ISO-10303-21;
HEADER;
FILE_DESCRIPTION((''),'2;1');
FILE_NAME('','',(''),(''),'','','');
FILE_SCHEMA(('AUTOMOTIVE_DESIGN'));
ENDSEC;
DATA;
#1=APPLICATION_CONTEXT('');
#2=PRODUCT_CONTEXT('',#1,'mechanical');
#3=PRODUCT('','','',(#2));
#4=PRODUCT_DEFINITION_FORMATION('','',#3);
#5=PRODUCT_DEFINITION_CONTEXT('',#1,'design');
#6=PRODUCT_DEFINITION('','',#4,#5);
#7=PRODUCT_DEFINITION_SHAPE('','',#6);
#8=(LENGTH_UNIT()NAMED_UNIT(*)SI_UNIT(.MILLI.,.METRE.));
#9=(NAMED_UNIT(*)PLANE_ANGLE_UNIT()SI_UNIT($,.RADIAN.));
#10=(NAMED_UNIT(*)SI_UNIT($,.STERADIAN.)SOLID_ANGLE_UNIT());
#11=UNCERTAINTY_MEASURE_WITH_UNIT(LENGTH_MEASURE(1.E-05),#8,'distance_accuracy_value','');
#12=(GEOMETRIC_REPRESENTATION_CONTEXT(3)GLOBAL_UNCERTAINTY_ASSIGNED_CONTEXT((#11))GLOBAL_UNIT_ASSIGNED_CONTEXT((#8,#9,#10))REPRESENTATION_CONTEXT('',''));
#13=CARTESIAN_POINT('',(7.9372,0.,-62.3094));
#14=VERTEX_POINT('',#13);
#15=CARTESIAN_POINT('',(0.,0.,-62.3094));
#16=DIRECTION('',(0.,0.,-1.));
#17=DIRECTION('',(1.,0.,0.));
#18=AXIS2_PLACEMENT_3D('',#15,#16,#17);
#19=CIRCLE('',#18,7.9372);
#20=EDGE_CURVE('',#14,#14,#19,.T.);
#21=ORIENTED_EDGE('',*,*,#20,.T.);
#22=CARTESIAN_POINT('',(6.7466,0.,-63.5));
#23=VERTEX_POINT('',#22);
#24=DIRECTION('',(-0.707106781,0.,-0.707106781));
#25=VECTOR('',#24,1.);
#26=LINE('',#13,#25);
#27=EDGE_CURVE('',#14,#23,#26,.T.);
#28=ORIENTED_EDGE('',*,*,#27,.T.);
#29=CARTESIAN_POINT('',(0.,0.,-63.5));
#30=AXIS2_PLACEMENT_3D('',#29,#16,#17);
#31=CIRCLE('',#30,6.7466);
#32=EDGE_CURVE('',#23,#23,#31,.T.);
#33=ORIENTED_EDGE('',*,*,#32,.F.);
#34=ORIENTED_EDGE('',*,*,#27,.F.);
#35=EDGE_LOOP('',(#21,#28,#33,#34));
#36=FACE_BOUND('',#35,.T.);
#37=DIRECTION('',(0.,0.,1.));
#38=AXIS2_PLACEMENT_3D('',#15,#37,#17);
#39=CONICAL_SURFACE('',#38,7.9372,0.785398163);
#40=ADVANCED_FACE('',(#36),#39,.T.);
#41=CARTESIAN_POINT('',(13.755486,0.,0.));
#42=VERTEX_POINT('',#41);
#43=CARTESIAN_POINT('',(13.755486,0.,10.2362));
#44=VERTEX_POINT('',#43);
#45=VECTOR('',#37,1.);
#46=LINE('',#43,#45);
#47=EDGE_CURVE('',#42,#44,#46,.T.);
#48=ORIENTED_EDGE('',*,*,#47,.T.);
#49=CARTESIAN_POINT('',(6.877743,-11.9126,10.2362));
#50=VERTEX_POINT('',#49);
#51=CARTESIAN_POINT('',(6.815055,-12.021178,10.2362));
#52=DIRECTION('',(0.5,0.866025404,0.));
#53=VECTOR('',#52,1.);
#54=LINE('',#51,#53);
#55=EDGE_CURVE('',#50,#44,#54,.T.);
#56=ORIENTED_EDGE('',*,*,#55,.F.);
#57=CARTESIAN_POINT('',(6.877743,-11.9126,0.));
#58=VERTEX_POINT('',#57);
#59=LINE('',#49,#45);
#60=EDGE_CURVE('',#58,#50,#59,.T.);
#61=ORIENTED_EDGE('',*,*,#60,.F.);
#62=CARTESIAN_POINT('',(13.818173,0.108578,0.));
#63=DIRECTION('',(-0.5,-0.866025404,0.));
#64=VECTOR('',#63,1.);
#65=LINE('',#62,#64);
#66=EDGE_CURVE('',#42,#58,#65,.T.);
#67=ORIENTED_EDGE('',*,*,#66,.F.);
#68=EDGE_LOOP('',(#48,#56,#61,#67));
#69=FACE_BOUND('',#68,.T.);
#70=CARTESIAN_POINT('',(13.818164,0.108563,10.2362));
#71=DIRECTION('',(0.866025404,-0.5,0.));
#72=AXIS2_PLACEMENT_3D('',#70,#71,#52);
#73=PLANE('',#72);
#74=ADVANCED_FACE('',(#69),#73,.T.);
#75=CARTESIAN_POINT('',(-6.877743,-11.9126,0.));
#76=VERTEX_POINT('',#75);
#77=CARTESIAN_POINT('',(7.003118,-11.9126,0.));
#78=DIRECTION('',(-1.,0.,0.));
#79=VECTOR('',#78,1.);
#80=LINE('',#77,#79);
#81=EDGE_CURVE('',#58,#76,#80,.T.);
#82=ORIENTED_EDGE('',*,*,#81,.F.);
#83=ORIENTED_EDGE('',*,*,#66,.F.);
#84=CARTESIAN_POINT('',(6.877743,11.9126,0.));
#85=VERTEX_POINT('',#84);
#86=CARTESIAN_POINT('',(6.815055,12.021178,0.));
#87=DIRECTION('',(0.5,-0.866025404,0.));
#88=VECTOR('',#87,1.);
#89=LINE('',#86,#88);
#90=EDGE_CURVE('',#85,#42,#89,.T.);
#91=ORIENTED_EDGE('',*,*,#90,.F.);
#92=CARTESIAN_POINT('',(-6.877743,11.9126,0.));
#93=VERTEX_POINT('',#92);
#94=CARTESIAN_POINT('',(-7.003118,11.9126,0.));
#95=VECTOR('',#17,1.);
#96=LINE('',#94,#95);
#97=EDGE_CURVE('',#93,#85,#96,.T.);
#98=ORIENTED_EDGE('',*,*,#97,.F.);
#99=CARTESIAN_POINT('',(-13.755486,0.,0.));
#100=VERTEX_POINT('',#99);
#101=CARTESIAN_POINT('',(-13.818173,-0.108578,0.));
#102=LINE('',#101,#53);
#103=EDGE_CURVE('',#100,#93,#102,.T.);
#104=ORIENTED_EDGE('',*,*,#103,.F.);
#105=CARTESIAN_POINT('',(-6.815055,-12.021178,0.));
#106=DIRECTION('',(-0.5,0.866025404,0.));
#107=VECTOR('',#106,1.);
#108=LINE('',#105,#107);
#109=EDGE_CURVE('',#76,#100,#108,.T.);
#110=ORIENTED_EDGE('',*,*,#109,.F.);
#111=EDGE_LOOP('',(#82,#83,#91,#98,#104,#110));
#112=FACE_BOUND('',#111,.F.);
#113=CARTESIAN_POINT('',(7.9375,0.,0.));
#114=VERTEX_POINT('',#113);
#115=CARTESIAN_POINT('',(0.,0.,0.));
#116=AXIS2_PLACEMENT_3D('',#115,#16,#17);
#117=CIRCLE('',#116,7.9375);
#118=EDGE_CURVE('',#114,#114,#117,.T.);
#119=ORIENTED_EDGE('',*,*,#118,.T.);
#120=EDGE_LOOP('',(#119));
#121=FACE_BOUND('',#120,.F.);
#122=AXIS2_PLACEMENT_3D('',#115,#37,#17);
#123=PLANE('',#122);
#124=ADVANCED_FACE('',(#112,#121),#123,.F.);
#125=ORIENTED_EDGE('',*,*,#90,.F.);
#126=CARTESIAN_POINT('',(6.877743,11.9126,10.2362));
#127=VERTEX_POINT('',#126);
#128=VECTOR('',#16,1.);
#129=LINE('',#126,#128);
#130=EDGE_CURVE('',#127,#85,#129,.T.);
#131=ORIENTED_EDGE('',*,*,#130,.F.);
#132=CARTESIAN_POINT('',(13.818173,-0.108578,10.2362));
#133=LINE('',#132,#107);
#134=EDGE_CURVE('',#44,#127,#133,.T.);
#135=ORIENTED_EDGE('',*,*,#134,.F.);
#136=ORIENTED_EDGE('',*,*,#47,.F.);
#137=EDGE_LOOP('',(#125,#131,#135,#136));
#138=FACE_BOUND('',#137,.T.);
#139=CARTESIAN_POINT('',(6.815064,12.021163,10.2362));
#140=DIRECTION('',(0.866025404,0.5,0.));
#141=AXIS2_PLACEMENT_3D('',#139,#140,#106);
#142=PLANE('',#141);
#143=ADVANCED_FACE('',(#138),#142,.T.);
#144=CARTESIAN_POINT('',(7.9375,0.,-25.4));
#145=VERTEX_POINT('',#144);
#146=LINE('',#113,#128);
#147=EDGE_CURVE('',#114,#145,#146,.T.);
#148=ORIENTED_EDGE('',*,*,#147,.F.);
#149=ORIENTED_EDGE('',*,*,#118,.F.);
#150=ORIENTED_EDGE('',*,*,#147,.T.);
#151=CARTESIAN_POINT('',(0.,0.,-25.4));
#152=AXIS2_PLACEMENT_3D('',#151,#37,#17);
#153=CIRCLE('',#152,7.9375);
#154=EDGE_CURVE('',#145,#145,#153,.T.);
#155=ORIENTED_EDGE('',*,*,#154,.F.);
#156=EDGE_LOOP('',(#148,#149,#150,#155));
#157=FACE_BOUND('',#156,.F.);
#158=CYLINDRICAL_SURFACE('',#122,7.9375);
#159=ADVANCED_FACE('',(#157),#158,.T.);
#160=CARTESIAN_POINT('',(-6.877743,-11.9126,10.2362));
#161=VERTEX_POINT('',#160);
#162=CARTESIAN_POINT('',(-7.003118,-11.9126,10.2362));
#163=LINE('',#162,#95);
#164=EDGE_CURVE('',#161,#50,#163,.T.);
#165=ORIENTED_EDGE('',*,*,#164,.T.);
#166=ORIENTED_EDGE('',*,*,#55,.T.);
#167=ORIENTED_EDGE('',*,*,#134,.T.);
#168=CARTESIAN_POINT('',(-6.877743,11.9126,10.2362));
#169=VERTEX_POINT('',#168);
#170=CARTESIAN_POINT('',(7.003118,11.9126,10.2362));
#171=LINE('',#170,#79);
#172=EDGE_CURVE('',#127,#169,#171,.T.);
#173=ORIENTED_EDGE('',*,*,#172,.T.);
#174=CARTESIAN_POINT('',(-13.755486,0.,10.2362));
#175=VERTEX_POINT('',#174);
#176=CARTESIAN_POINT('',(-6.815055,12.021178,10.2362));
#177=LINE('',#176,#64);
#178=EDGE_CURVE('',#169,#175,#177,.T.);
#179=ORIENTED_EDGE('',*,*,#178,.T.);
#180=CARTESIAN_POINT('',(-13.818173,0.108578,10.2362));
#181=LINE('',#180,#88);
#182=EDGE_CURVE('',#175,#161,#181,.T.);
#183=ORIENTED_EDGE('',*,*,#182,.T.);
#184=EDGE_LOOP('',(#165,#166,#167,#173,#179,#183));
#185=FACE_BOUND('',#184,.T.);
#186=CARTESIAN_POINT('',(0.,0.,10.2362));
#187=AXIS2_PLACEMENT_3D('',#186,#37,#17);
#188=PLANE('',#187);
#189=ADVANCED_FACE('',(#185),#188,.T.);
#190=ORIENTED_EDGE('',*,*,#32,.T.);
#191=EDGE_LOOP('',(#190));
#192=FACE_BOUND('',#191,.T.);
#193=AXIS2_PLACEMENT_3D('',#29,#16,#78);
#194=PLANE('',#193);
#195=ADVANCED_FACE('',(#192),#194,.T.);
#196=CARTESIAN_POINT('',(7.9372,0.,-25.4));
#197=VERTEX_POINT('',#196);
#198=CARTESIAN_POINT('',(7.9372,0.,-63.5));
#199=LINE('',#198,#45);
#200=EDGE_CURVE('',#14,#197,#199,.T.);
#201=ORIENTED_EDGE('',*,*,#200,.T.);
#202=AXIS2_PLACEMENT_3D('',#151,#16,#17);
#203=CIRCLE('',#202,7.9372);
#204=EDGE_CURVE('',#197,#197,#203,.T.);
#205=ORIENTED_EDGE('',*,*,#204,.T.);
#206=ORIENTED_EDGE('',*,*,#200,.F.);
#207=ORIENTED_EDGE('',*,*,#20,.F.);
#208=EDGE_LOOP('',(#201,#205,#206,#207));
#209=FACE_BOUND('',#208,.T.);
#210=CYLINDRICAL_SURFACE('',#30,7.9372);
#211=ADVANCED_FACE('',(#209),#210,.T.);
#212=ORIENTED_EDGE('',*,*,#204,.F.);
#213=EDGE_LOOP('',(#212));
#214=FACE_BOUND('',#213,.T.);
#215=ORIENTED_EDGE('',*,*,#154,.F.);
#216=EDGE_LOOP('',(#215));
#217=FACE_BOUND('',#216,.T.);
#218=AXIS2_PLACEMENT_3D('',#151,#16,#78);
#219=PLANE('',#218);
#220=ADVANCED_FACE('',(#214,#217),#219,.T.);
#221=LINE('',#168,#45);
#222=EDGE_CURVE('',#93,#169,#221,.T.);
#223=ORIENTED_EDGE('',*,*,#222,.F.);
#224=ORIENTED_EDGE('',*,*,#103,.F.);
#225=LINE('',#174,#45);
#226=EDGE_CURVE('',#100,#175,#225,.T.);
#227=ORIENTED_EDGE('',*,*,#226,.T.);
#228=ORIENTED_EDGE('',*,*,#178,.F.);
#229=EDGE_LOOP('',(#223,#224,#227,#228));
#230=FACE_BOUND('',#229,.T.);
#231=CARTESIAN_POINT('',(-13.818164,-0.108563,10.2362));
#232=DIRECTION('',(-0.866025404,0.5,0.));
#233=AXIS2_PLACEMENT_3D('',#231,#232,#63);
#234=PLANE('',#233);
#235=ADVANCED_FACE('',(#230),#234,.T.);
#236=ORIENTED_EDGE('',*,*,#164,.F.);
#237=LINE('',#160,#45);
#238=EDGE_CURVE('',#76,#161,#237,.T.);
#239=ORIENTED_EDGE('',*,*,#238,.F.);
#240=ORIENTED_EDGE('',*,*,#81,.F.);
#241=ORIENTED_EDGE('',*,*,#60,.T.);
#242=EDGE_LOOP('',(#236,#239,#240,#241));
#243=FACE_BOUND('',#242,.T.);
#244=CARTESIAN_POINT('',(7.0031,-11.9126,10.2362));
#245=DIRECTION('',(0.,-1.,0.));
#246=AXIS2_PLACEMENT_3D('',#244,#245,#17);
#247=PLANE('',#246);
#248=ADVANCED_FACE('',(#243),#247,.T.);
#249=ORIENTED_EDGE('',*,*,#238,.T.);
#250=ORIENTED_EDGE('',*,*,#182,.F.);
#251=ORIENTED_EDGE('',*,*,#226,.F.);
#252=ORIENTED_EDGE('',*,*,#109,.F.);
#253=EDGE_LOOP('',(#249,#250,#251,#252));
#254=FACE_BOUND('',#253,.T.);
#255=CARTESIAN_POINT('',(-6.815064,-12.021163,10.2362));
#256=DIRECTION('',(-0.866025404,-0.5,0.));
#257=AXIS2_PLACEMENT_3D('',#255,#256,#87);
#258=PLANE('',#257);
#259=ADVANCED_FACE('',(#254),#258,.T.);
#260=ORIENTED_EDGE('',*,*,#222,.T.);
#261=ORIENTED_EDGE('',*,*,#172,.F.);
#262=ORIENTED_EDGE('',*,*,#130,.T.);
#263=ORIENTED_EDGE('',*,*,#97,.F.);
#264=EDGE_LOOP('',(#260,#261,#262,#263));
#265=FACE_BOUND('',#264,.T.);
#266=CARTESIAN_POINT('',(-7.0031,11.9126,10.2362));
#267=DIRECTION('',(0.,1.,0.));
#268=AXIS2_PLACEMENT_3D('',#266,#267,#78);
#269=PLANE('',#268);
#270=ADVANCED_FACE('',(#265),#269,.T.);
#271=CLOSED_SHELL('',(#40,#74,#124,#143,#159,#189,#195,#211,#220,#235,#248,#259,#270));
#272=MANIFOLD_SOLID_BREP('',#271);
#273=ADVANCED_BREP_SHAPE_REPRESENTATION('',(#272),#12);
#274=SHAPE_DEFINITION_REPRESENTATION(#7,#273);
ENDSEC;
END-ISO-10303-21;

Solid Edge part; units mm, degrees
sketch "Sketch1" plane through (0, 0, 0) normal (0, 0, 1) x (1, 0, 0)
  circle A0 centre (0, 0) radius 13.8186
  dimension "D1" = 27.6372
extrude "Protrusion1" add sketch "Sketch1" along normal blind 10.2362
sketch "Sketch2" plane through (0, 0, 0) normal (0, 0, -1) x (1, 0, 0)
  circle A0 centre (0, 0) radius 7.9375
extrude "Protrusion2" add sketch "Sketch2" along normal blind 63.5
sketch "Sketch3" plane through (0, 0, -63.5) normal (0, 0, -1) x (1, 0, 0)
  circle A0 centre (0, 0) radius 7.9372
extrude "Cutout1" cut sketch "Sketch3" against normal blind 38.1 flip side to cut
chamfer "Chamfer_1" distance 1.1906 angle 45 1 edges at (-7.9372, 0, -63.5)
sketch "Sketch4" plane through (0, 0, 10.2362) normal (0, 0, 1) x (1, 0, 0)
  line L0 (-7.0031, 11.9126) -> (7.0031, 11.9126)
  dimension "D1" = 23.8252
extrude "Cutout2" cut sketch "Sketch4" against normal up to next material side at (0, 11.9626, 10.2362)
pattern_circular "Pattern1" count 6 over 360 about axis through (0, 0, 10.2362) along (0, 0, 1) of "Cutout2"
properties part number "24100041"
